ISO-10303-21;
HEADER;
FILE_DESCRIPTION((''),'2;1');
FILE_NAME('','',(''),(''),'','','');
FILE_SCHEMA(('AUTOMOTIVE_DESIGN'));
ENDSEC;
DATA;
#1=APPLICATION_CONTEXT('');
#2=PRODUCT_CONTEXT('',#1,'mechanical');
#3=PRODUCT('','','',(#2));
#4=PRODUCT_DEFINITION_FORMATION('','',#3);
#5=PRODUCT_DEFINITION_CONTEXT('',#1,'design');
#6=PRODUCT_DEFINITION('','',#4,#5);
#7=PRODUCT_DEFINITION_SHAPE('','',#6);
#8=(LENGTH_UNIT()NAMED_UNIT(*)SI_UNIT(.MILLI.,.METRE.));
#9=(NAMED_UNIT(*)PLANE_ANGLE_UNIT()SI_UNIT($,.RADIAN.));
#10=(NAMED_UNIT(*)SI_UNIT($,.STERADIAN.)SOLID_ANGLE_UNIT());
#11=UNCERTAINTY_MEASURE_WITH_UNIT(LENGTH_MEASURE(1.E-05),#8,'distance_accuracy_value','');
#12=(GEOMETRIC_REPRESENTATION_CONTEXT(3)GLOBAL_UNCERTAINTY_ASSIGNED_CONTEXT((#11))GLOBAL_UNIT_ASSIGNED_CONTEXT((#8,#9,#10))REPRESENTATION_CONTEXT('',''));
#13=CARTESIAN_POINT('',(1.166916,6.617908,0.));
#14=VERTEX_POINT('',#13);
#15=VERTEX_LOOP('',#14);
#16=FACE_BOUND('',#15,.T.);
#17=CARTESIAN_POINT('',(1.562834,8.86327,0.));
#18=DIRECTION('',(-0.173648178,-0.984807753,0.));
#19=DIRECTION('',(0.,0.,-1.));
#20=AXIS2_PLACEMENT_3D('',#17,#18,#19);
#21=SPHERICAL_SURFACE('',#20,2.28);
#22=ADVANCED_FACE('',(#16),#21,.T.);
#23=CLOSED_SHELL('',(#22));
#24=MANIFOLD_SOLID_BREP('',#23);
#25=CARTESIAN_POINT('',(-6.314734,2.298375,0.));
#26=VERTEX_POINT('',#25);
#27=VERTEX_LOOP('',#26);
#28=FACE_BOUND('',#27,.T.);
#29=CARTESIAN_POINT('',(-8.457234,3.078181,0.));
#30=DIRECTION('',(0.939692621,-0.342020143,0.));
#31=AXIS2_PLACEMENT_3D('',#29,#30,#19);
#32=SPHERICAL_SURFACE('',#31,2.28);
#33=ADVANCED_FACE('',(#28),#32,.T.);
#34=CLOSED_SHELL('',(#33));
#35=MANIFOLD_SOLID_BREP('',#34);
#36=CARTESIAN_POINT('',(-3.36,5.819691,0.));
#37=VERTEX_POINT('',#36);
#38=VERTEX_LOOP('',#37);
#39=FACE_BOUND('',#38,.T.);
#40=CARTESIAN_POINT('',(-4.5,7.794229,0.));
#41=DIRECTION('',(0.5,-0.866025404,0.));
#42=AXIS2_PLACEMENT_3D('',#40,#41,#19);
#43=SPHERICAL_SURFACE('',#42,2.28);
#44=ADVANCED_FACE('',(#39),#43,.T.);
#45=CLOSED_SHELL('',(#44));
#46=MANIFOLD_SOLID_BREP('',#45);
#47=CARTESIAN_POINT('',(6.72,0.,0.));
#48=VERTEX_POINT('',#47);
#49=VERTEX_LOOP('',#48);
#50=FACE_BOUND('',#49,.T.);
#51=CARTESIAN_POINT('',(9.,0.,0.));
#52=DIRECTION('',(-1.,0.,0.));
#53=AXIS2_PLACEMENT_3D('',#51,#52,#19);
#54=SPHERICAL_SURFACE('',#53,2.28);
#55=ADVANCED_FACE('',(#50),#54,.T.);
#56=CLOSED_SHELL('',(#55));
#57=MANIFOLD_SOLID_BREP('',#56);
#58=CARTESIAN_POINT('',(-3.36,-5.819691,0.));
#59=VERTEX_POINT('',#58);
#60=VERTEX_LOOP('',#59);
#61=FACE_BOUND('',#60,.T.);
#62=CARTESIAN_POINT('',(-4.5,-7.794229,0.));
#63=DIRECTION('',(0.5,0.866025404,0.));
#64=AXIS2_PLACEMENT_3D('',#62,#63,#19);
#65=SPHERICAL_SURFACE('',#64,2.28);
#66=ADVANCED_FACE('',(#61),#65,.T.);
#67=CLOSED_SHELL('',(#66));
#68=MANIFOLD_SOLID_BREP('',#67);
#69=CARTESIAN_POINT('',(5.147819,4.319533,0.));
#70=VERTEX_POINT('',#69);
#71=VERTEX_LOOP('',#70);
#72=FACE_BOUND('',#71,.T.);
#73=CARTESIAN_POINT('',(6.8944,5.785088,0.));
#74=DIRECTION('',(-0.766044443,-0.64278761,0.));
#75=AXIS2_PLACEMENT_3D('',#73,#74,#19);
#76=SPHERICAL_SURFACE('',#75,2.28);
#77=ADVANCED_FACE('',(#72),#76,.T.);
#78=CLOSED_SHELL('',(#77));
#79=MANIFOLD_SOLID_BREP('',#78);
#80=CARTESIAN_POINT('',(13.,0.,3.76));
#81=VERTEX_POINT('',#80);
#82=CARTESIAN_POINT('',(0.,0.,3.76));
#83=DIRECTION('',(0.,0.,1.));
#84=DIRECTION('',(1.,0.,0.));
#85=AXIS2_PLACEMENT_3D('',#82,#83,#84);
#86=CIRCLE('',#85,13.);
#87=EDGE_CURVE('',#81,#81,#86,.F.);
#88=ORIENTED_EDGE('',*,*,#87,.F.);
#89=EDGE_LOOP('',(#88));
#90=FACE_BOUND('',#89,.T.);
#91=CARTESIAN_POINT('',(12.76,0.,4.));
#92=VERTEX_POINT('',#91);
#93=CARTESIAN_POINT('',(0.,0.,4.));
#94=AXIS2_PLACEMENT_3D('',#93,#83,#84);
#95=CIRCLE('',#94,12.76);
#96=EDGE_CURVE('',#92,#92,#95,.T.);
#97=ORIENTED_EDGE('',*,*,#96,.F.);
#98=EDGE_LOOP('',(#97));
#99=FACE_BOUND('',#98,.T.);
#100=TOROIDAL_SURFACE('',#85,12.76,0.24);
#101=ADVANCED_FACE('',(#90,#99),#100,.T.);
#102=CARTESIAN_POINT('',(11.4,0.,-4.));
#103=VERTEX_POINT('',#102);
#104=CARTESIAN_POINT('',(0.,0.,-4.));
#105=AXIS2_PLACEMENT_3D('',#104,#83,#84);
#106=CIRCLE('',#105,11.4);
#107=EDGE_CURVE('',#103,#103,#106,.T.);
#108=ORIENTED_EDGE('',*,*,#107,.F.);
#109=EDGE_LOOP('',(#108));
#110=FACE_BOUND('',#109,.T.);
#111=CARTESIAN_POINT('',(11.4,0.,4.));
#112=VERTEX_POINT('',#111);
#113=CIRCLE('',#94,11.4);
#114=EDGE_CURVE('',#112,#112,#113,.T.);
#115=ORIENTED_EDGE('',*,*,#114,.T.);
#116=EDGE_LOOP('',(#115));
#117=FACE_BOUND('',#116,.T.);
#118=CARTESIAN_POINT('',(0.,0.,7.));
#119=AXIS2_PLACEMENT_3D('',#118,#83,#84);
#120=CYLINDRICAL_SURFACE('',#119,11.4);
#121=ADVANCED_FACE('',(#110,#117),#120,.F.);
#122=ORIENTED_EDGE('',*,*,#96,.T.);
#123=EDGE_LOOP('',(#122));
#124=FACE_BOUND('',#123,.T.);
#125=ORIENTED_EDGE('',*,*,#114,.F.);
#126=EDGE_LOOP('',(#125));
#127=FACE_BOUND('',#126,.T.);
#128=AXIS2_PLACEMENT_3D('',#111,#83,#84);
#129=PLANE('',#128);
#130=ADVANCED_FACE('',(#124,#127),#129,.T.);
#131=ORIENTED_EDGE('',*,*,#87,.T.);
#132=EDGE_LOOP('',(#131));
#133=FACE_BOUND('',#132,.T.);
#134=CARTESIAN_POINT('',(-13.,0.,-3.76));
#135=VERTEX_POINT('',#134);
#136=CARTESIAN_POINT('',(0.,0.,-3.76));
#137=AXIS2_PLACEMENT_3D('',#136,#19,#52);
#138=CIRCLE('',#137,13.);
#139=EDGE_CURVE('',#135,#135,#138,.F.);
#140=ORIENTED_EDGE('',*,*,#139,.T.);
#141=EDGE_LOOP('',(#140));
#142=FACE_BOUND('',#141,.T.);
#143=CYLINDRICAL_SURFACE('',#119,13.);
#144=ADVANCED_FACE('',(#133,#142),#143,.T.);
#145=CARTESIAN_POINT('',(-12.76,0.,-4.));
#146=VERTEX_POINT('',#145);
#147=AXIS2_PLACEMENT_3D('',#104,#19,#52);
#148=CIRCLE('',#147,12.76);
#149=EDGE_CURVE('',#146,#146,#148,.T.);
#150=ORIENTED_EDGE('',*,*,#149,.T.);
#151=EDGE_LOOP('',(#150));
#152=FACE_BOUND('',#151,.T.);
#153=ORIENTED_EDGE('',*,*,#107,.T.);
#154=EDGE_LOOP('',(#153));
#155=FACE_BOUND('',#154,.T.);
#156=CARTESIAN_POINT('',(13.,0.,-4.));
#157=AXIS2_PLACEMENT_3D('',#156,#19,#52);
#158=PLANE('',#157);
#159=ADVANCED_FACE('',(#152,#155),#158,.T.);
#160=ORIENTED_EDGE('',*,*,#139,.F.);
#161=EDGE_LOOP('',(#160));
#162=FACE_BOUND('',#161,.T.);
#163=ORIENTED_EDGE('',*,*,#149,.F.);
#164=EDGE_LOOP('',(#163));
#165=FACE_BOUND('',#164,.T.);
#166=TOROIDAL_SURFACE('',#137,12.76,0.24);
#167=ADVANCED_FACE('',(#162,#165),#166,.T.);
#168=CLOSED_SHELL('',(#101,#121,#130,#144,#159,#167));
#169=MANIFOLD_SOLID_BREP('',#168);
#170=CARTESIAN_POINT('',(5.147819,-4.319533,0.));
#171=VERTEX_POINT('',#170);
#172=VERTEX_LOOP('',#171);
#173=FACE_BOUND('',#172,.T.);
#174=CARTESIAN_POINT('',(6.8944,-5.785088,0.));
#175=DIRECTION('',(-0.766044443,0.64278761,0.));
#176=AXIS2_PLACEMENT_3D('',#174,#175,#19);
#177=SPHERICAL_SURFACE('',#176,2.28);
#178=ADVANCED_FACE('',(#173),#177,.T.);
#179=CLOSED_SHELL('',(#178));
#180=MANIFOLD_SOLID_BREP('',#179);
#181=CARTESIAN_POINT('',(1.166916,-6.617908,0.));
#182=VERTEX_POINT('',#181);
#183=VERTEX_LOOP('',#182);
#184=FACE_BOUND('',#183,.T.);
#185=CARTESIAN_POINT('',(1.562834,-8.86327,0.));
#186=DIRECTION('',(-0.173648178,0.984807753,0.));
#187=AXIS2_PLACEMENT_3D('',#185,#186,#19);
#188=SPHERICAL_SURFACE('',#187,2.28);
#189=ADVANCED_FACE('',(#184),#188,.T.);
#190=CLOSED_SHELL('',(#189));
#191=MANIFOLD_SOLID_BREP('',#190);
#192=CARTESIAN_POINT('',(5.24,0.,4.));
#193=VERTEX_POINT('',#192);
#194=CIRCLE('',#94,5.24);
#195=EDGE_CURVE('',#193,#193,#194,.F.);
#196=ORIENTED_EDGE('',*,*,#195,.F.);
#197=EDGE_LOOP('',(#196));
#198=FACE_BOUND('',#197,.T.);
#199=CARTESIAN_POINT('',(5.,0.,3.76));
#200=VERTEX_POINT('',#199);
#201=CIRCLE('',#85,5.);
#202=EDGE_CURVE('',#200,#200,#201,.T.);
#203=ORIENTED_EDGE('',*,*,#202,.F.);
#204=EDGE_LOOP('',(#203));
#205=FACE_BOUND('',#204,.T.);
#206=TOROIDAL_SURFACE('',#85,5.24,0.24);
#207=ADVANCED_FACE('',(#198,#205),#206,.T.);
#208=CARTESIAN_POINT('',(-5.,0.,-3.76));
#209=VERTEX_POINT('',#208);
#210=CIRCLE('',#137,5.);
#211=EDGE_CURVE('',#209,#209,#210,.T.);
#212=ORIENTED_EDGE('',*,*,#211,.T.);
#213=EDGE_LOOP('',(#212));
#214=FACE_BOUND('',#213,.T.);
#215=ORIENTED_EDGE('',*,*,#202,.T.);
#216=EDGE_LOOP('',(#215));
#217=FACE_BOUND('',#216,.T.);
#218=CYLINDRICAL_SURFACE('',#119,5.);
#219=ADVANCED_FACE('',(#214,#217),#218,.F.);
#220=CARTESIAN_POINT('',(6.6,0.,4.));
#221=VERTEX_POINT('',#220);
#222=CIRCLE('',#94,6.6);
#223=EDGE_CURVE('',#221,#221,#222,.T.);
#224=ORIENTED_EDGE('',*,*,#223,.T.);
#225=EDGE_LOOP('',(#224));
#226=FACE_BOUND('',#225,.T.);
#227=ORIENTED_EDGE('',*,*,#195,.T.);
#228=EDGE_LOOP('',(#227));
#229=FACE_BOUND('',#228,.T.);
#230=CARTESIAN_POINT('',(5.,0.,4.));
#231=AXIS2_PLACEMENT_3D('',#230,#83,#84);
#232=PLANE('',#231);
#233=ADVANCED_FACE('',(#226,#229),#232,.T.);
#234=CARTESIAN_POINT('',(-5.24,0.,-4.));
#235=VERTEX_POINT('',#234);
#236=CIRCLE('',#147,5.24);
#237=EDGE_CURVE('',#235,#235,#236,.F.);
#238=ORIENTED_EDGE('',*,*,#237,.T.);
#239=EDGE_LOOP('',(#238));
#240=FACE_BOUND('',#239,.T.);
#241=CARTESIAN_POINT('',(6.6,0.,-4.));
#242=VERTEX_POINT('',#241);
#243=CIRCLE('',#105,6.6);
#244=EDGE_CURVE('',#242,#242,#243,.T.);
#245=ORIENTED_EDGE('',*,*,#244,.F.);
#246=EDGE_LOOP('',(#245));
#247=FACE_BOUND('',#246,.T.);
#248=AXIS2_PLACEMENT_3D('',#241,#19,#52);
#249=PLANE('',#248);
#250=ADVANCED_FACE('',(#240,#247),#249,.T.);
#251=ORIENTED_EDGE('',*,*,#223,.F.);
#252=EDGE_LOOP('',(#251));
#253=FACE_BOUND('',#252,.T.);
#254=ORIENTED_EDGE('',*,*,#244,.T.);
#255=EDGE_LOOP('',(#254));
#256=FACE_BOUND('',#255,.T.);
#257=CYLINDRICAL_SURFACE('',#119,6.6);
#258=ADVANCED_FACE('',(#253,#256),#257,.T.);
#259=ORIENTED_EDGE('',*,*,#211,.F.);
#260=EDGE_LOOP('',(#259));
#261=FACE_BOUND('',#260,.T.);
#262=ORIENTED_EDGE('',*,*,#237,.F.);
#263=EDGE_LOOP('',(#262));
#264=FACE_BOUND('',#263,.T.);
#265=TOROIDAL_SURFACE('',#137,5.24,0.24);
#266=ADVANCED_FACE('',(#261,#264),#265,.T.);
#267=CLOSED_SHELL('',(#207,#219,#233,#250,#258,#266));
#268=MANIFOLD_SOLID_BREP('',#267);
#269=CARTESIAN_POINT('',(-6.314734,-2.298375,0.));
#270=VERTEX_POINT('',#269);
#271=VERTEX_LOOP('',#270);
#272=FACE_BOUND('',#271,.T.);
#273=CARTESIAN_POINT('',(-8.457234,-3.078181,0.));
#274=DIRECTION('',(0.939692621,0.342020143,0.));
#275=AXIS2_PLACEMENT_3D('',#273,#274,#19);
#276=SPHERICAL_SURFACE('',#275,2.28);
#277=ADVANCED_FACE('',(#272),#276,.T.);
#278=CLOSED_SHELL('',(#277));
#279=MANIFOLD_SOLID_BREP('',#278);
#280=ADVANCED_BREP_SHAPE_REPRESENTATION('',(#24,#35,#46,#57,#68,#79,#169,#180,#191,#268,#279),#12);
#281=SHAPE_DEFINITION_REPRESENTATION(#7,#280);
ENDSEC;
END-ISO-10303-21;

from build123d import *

# Parameters (mm, degrees)
INNERS_W           = 1.6
INNERS_H           = 8
OUTERS_W           = 1.6
OUTERS_H           = 8
BALLSPATTERN_COUNT = 9
FILLET_F1_R        = 0.24
FILLET_F2_R        = 0.24


with BuildPart() as part:
    # InnerS → InnerRing (revolve)
    with BuildSketch(Plane(origin=(0, 0, 0), x_dir=(1, 0, 0), z_dir=(0, 1, 0))):
        with Locations((5.8, 0)):
            Rectangle(INNERS_W, INNERS_H)
    revolve(axis=Axis((0, 0, 7), (0, 0, -1)))

    # Fillet F2
    fillet_f2_edges = [part.edges().sort_by_distance(p)[0] for p in [
        (-5, 0, -4),
        (-5, 0, 4),
    ]]
    fillet(fillet_f2_edges, radius=FILLET_F2_R)


with BuildPart() as body_2:
    # OuterS → OuterRing (revolve)
    with BuildSketch(Plane(origin=(0, 0, 0), x_dir=(1, 0, 0), z_dir=(0, 1, 0))):
        with Locations((12.2, 0)):
            Rectangle(OUTERS_W, OUTERS_H)
    revolve(axis=Axis((0, 0, 7), (0, 0, -1)))

    # Fillet F1
    fillet_f1_edges = [body_2.edges().sort_by_distance(p)[0] for p in [
        (-13, 0, -4),
        (-13, 0, 4),
    ]]
    fillet(fillet_f1_edges, radius=FILLET_F1_R)


with BuildPart() as body_3:
    # BallS → Ball (revolve)
    with BuildSketch(Plane(origin=(0, 0, 0), x_dir=(1, 0, 0), z_dir=(0, 1, 0))):
        with BuildLine():
            Line((6.72, 0), (11.28, 0))
            ThreePointArc((11.28, 0), (9, -2.28), (6.72, 0))
        make_face()
    revolve(axis=Axis((6.72, 0, 0), (1, 0, 0)))


with BuildPart() as ballspattern_1:
    # BallsPattern: pattern copy
    add(body_3.part.rotate(Axis((0, 0, -4.4), (0, 0, 1)), 1 * 360 / BALLSPATTERN_COUNT))


with BuildPart() as ballspattern_2:
    # BallsPattern: pattern copy
    add(body_3.part.rotate(Axis((0, 0, -4.4), (0, 0, 1)), 2 * 360 / BALLSPATTERN_COUNT))


with BuildPart() as ballspattern_3:
    # BallsPattern: pattern copy
    add(body_3.part.rotate(Axis((0, 0, -4.4), (0, 0, 1)), 3 * 360 / BALLSPATTERN_COUNT))


with BuildPart() as ballspattern_4:
    # BallsPattern: pattern copy
    add(body_3.part.rotate(Axis((0, 0, -4.4), (0, 0, 1)), 4 * 360 / BALLSPATTERN_COUNT))


with BuildPart() as ballspattern_5:
    # BallsPattern: pattern copy
    add(body_3.part.rotate(Axis((0, 0, -4.4), (0, 0, 1)), 5 * 360 / BALLSPATTERN_COUNT))


with BuildPart() as ballspattern_6:
    # BallsPattern: pattern copy
    add(body_3.part.rotate(Axis((0, 0, -4.4), (0, 0, 1)), 6 * 360 / BALLSPATTERN_COUNT))


with BuildPart() as ballspattern_7:
    # BallsPattern: pattern copy
    add(body_3.part.rotate(Axis((0, 0, -4.4), (0, 0, 1)), 7 * 360 / BALLSPATTERN_COUNT))


with BuildPart() as ballspattern_8:
    # BallsPattern: pattern copy
    add(body_3.part.rotate(Axis((0, 0, -4.4), (0, 0, 1)), 8 * 360 / BALLSPATTERN_COUNT))


solid = Compound([part.part, body_2.part, body_3.part, ballspattern_1.part, ballspattern_2.part, ballspattern_3.part, ballspattern_4.part, ballspattern_5.part, ballspattern_6.part, ballspattern_7.part, ballspattern_8.part])
